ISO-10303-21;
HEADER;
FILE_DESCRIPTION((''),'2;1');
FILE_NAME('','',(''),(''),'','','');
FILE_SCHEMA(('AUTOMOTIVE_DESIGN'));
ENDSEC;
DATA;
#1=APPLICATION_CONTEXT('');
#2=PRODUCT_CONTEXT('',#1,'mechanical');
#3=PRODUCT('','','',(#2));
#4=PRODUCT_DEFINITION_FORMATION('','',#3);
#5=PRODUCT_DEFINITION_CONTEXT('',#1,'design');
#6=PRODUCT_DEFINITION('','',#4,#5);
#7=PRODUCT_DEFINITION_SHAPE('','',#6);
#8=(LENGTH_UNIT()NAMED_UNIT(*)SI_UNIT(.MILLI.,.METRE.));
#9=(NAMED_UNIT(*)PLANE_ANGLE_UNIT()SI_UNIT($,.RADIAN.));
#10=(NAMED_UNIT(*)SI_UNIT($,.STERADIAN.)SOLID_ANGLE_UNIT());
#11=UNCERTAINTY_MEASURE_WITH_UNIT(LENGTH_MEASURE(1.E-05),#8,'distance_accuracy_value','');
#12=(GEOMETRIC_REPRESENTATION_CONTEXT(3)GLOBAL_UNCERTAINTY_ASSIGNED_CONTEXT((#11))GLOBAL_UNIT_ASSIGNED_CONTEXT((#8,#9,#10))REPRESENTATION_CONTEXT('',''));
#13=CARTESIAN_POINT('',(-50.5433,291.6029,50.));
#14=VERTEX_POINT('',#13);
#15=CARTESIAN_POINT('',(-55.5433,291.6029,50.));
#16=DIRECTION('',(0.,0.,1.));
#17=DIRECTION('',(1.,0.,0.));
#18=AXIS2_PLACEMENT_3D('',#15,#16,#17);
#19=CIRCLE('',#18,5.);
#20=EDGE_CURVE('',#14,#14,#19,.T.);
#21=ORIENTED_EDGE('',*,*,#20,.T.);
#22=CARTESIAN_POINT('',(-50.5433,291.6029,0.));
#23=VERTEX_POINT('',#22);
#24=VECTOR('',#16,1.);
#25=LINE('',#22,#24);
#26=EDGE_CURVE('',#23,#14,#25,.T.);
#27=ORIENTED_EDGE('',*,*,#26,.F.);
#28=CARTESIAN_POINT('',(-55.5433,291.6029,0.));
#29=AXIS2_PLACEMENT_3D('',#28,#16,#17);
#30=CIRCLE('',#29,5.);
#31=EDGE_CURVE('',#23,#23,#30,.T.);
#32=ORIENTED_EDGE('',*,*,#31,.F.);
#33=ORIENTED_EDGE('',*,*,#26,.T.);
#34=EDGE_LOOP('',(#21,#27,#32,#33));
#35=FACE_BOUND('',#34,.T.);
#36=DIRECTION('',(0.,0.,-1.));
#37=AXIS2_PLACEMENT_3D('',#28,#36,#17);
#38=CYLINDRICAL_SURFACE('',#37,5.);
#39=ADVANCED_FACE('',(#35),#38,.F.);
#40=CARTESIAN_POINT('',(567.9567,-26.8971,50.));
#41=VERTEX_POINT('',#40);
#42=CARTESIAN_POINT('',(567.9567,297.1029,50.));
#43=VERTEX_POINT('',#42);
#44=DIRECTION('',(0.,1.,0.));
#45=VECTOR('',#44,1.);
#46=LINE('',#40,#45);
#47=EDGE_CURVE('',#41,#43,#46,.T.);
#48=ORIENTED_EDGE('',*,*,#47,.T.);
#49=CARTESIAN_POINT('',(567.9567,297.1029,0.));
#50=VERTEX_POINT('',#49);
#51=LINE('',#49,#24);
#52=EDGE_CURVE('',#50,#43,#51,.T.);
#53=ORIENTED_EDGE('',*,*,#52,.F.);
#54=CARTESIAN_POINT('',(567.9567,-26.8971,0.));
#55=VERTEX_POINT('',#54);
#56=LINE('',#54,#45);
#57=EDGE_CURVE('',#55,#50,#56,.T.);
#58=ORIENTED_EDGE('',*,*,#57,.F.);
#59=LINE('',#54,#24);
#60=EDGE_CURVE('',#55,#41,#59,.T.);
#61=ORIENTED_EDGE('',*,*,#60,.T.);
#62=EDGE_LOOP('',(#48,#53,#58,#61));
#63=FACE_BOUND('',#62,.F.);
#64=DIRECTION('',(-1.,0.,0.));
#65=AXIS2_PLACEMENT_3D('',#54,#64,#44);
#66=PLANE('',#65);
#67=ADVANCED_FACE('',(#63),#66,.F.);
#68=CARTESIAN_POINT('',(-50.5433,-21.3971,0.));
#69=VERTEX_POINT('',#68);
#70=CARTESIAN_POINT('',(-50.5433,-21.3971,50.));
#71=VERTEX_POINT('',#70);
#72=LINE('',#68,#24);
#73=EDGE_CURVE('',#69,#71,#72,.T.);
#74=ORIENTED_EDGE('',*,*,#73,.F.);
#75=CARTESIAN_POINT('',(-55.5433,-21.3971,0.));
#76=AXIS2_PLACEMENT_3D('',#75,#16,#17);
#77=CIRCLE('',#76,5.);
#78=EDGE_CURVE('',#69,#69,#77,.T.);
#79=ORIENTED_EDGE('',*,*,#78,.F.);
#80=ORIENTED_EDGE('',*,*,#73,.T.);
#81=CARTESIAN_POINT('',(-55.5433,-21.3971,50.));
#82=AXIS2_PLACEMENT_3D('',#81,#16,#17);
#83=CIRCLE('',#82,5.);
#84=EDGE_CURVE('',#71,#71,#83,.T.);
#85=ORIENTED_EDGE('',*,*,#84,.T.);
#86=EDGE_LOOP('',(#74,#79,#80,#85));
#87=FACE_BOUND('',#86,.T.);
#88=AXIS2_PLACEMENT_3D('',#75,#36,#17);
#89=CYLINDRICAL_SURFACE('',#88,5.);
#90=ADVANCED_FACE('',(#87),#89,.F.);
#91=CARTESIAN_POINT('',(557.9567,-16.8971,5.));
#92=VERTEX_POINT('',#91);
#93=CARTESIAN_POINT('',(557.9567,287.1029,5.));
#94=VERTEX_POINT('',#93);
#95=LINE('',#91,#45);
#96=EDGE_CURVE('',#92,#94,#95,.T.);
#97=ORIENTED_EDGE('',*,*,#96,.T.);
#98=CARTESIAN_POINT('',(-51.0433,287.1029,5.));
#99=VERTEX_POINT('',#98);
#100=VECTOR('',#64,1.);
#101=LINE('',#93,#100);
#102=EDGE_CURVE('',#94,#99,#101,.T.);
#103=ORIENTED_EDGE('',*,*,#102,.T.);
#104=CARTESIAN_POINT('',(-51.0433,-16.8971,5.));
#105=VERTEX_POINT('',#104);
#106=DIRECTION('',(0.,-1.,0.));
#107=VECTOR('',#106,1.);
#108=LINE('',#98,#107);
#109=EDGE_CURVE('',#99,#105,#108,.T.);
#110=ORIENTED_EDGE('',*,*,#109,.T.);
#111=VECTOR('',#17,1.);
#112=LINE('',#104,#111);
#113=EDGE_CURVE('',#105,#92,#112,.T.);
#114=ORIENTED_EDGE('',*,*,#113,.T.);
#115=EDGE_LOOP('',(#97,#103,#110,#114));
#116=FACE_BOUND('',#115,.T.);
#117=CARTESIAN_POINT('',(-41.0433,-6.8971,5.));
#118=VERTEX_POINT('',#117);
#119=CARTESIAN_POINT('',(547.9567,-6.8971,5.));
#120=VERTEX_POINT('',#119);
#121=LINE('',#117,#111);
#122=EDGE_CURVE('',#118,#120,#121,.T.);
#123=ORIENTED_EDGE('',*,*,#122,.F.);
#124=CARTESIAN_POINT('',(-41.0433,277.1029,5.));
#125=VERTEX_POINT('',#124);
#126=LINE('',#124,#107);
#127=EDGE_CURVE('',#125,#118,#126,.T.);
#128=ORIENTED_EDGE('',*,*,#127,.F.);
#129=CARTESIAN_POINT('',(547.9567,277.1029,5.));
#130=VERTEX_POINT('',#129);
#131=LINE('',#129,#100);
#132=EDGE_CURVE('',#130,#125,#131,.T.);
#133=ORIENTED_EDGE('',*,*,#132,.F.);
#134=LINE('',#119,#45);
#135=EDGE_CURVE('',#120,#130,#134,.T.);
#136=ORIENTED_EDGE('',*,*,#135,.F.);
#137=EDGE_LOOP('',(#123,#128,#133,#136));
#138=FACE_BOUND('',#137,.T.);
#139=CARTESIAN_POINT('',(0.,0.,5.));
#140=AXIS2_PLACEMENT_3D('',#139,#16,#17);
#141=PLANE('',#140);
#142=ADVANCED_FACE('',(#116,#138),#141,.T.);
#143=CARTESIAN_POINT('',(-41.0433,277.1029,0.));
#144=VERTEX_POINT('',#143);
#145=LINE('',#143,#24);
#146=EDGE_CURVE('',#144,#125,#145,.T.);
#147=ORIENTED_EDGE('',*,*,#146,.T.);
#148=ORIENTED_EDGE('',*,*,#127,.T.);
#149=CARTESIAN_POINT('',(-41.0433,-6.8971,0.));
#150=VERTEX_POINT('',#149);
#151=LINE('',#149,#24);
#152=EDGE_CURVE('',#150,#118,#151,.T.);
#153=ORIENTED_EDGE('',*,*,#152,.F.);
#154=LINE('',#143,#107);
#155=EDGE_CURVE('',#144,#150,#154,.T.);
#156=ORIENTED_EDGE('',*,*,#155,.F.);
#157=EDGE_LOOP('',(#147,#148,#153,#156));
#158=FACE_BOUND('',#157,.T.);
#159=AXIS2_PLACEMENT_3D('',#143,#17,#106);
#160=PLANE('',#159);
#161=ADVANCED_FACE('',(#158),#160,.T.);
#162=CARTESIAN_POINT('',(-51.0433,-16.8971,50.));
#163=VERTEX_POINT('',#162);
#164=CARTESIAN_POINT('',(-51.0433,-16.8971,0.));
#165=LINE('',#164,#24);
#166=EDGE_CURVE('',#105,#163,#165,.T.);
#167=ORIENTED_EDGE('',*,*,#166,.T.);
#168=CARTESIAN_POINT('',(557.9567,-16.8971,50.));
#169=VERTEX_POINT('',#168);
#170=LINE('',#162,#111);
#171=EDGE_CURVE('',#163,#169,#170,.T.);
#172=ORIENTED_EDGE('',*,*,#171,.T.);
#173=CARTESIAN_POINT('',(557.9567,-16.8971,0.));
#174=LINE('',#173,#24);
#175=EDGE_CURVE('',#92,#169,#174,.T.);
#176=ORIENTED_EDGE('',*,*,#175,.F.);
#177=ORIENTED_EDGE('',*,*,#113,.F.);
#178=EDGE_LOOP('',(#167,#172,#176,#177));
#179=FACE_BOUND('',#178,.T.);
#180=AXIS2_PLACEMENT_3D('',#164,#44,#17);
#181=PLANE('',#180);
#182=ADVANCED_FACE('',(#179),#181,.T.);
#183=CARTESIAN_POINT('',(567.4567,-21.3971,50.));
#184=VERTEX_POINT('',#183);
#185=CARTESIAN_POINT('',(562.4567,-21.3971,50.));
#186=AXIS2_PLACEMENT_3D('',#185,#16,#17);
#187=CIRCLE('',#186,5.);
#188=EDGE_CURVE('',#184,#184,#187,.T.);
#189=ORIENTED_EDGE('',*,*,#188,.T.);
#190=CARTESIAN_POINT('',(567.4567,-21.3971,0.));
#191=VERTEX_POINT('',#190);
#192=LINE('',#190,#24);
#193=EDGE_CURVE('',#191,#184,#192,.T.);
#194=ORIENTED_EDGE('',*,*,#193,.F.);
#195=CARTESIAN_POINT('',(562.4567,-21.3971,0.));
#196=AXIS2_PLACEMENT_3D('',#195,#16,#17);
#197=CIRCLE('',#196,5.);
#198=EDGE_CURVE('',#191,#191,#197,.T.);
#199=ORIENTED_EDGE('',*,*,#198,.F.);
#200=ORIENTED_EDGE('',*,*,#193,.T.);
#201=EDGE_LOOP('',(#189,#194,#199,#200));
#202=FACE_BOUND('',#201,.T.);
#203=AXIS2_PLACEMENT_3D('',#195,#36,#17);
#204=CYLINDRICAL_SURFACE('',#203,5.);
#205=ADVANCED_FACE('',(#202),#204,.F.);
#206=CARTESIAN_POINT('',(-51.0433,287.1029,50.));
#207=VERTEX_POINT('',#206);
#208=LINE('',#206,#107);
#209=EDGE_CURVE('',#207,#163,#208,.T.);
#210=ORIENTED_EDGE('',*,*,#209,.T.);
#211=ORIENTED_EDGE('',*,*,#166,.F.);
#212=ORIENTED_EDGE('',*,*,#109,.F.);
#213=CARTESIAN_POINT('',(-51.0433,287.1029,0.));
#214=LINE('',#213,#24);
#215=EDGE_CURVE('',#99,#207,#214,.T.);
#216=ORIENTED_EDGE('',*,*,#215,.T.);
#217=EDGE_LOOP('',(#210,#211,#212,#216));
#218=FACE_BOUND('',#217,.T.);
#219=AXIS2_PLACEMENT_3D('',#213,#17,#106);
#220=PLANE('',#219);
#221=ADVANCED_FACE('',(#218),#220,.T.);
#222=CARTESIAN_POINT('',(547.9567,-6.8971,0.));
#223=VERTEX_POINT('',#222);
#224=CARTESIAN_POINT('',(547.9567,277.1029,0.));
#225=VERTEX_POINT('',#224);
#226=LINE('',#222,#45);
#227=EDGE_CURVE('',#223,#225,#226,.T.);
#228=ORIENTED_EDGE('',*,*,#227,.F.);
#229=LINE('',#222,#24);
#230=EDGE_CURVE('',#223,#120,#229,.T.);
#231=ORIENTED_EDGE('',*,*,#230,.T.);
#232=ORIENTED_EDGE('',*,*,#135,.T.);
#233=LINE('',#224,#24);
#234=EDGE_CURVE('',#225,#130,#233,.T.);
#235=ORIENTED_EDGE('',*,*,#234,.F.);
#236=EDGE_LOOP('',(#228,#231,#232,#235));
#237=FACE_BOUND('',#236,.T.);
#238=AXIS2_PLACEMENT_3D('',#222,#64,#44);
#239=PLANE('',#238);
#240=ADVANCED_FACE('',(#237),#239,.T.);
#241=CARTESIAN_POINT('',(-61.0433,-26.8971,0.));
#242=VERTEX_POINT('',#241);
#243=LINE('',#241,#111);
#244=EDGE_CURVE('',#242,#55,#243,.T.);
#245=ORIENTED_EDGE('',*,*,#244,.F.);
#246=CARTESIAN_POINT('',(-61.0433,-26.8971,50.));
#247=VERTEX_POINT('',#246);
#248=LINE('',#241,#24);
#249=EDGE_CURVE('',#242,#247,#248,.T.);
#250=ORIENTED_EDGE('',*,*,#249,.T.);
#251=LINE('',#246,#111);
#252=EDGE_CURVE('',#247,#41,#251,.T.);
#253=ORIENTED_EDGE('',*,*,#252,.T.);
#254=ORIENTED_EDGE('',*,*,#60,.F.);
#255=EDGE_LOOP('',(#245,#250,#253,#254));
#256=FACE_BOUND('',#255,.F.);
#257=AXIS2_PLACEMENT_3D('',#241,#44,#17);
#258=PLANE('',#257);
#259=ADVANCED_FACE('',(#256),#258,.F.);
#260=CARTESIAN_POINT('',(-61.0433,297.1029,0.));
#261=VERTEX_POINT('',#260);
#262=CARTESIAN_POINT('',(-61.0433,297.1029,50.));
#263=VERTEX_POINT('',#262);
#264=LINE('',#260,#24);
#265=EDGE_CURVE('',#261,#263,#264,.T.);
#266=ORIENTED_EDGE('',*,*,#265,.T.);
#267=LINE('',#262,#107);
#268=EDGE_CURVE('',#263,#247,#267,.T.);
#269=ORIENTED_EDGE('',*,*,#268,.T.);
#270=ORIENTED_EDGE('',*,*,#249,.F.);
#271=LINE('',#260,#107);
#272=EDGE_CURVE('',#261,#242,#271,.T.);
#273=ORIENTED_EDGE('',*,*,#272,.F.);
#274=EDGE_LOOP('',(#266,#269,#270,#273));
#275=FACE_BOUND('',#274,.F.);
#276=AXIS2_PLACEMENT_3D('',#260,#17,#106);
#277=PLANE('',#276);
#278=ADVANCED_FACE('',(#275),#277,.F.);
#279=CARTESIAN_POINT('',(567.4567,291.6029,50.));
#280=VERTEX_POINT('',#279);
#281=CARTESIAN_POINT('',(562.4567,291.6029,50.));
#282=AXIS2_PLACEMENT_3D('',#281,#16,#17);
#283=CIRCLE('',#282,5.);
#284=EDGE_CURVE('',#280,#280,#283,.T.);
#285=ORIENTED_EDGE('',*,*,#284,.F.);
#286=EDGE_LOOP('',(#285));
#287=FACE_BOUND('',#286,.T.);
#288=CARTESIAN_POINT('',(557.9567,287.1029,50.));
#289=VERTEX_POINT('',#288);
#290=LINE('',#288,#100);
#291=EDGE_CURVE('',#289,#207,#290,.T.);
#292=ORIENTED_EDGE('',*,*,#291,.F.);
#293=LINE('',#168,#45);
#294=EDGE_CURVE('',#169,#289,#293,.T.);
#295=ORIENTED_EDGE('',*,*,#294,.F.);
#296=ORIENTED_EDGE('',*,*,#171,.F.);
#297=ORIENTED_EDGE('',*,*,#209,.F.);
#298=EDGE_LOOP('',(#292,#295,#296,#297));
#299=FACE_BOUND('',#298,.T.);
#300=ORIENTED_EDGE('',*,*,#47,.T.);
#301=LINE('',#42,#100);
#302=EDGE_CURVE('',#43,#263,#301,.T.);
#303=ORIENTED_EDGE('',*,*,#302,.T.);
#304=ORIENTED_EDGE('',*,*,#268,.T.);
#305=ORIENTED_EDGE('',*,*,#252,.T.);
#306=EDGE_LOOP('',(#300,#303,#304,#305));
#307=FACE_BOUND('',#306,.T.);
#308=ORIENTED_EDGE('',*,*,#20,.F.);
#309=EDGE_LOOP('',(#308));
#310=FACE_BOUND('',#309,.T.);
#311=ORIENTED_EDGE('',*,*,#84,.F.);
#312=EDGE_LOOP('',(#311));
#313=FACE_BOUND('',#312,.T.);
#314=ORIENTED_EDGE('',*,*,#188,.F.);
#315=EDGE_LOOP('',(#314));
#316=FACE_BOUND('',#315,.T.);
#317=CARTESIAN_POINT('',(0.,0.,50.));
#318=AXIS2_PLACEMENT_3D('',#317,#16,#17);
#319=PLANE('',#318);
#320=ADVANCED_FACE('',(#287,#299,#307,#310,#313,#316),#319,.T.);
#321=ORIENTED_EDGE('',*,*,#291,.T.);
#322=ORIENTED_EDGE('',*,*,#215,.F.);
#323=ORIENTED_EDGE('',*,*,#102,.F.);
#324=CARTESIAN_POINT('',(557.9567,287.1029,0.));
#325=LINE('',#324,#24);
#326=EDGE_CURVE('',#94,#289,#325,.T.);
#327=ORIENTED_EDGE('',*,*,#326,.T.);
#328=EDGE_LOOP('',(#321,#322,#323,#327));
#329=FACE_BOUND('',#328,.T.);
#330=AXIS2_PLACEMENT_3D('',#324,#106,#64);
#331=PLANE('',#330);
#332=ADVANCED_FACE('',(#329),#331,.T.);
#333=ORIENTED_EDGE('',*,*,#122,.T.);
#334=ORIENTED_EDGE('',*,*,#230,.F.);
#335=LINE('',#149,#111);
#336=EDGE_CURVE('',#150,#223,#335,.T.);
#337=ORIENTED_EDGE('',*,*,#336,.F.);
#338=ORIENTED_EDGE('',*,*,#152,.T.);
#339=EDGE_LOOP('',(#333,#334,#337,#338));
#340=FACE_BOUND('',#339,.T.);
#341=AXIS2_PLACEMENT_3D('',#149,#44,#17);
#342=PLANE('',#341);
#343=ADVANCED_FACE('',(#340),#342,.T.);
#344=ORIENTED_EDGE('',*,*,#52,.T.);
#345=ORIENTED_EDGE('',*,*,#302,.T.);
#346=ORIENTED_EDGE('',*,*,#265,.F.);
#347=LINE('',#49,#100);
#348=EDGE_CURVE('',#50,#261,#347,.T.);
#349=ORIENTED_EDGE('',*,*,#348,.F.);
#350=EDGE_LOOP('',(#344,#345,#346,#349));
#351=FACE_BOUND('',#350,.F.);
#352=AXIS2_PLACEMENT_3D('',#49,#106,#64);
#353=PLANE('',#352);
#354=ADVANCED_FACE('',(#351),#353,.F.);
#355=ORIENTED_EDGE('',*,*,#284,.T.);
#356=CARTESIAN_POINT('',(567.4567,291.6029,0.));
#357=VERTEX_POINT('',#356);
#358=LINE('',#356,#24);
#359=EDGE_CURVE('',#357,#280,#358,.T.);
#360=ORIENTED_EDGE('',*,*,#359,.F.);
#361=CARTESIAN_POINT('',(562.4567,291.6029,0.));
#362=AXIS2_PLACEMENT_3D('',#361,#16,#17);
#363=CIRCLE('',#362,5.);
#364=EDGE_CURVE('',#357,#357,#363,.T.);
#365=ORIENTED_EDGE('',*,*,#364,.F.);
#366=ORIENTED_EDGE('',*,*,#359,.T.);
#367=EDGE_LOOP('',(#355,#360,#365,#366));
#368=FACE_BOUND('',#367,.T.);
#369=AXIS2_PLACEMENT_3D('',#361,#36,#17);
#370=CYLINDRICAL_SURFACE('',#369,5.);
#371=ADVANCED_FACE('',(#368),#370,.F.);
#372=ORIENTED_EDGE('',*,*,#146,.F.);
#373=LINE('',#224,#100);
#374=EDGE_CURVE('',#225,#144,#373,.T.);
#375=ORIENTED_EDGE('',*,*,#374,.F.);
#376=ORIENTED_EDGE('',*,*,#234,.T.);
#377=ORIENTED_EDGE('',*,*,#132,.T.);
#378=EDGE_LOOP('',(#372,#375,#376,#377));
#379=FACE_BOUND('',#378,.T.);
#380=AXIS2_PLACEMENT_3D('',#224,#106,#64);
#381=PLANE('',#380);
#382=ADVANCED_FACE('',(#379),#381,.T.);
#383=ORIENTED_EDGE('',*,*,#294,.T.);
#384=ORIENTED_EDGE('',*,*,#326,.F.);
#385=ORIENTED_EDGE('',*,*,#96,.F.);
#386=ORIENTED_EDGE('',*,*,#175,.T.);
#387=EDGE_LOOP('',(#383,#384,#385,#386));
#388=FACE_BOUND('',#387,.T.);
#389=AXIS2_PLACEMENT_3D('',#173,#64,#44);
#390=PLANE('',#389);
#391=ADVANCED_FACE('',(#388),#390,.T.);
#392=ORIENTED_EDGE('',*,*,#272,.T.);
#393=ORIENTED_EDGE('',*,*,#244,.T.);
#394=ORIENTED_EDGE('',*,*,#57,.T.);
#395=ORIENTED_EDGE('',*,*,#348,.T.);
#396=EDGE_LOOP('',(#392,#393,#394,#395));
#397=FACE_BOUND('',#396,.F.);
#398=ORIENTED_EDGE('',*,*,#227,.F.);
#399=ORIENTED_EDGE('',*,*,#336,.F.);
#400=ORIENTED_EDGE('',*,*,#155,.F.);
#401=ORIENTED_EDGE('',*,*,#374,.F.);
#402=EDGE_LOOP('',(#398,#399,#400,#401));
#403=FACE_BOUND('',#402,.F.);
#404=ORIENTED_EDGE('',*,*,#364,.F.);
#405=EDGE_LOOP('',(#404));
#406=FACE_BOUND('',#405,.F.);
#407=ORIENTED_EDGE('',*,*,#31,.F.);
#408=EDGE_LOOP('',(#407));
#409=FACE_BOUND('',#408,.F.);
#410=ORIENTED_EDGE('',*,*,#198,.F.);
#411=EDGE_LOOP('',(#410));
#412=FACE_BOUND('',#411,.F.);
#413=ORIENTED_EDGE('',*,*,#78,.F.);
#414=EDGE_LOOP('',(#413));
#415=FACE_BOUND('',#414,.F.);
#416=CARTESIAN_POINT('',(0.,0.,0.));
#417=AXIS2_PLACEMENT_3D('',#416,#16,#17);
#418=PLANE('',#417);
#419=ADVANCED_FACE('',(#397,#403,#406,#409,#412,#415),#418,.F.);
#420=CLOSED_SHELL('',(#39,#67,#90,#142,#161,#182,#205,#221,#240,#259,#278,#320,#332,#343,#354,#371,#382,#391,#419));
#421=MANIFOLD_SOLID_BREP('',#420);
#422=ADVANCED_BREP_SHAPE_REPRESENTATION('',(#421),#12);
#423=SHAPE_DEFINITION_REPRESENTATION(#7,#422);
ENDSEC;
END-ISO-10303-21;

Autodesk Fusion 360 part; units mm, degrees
sketch "Sketch1" plane through (0, 0, 0) normal (0, 0, 1) x (1, 0, 0)
  line L0 (-51.0433, -16.8971) -> (557.9567, -16.8971)
  line L1 (557.9567, -16.8971) -> (557.9567, 287.1029)
  line L2 (557.9567, 287.1029) -> (-51.0433, 287.1029)
  line L3 (-51.0433, 287.1029) -> (-51.0433, -16.8971)
  line L4 (-41.0433, -6.8971) -> (547.9567, -6.8971)
  line L5 (547.9567, -6.8971) -> (547.9567, 277.1029)
  line L6 (547.9567, 277.1029) -> (-41.0433, 277.1029)
  line L7 (-41.0433, 277.1029) -> (-41.0433, -6.8971)
  line L8 (-61.0433, -26.8971) -> (567.9567, -26.8971)
  line L9 (567.9567, -26.8971) -> (567.9567, 297.1029)
  line L10 (567.9567, 297.1029) -> (-61.0433, 297.1029)
  line L11 (-61.0433, 297.1029) -> (-61.0433, -26.8971)
  circle A0 centre (-55.5433, -21.3971) radius 5
  circle A1 centre (-55.5433, 291.6029) radius 5
  circle A2 centre (562.4567, 291.6029) radius 5
  circle A3 centre (562.4567, -21.3971) radius 5
  dimension "d1" = 609
  dimension "d2" = 304
  dimension "d3" = 10
  dimension "d4" = 10
  dimension "d5" = 10
  dimension "d6" = 10
  dimension "d7" = 10
  dimension "d8" = 10
  dimension "d9" = 10
  dimension "d10" = 10
  dimension "d11" = 10
  dimension "d12" = 5.5
  dimension "d13" = 5.5
  dimension "d14" = 10
  dimension "d15" = 5.5
  dimension "d16" = 5.5
  dimension "d17" = 10
  dimension "d18" = 5.5
  dimension "d19" = 5.5
  dimension "d20" = 10
  dimension "d21" = 5.5
  dimension "d22" = 5.5
extrude "Extrude1" add sketch "Sketch1" along normal blind 5 contours L0 L1 L2 L3
extrude "Extrude2" add sketch "Sketch1" along normal blind 50 contours L8 L9 L10 L11
